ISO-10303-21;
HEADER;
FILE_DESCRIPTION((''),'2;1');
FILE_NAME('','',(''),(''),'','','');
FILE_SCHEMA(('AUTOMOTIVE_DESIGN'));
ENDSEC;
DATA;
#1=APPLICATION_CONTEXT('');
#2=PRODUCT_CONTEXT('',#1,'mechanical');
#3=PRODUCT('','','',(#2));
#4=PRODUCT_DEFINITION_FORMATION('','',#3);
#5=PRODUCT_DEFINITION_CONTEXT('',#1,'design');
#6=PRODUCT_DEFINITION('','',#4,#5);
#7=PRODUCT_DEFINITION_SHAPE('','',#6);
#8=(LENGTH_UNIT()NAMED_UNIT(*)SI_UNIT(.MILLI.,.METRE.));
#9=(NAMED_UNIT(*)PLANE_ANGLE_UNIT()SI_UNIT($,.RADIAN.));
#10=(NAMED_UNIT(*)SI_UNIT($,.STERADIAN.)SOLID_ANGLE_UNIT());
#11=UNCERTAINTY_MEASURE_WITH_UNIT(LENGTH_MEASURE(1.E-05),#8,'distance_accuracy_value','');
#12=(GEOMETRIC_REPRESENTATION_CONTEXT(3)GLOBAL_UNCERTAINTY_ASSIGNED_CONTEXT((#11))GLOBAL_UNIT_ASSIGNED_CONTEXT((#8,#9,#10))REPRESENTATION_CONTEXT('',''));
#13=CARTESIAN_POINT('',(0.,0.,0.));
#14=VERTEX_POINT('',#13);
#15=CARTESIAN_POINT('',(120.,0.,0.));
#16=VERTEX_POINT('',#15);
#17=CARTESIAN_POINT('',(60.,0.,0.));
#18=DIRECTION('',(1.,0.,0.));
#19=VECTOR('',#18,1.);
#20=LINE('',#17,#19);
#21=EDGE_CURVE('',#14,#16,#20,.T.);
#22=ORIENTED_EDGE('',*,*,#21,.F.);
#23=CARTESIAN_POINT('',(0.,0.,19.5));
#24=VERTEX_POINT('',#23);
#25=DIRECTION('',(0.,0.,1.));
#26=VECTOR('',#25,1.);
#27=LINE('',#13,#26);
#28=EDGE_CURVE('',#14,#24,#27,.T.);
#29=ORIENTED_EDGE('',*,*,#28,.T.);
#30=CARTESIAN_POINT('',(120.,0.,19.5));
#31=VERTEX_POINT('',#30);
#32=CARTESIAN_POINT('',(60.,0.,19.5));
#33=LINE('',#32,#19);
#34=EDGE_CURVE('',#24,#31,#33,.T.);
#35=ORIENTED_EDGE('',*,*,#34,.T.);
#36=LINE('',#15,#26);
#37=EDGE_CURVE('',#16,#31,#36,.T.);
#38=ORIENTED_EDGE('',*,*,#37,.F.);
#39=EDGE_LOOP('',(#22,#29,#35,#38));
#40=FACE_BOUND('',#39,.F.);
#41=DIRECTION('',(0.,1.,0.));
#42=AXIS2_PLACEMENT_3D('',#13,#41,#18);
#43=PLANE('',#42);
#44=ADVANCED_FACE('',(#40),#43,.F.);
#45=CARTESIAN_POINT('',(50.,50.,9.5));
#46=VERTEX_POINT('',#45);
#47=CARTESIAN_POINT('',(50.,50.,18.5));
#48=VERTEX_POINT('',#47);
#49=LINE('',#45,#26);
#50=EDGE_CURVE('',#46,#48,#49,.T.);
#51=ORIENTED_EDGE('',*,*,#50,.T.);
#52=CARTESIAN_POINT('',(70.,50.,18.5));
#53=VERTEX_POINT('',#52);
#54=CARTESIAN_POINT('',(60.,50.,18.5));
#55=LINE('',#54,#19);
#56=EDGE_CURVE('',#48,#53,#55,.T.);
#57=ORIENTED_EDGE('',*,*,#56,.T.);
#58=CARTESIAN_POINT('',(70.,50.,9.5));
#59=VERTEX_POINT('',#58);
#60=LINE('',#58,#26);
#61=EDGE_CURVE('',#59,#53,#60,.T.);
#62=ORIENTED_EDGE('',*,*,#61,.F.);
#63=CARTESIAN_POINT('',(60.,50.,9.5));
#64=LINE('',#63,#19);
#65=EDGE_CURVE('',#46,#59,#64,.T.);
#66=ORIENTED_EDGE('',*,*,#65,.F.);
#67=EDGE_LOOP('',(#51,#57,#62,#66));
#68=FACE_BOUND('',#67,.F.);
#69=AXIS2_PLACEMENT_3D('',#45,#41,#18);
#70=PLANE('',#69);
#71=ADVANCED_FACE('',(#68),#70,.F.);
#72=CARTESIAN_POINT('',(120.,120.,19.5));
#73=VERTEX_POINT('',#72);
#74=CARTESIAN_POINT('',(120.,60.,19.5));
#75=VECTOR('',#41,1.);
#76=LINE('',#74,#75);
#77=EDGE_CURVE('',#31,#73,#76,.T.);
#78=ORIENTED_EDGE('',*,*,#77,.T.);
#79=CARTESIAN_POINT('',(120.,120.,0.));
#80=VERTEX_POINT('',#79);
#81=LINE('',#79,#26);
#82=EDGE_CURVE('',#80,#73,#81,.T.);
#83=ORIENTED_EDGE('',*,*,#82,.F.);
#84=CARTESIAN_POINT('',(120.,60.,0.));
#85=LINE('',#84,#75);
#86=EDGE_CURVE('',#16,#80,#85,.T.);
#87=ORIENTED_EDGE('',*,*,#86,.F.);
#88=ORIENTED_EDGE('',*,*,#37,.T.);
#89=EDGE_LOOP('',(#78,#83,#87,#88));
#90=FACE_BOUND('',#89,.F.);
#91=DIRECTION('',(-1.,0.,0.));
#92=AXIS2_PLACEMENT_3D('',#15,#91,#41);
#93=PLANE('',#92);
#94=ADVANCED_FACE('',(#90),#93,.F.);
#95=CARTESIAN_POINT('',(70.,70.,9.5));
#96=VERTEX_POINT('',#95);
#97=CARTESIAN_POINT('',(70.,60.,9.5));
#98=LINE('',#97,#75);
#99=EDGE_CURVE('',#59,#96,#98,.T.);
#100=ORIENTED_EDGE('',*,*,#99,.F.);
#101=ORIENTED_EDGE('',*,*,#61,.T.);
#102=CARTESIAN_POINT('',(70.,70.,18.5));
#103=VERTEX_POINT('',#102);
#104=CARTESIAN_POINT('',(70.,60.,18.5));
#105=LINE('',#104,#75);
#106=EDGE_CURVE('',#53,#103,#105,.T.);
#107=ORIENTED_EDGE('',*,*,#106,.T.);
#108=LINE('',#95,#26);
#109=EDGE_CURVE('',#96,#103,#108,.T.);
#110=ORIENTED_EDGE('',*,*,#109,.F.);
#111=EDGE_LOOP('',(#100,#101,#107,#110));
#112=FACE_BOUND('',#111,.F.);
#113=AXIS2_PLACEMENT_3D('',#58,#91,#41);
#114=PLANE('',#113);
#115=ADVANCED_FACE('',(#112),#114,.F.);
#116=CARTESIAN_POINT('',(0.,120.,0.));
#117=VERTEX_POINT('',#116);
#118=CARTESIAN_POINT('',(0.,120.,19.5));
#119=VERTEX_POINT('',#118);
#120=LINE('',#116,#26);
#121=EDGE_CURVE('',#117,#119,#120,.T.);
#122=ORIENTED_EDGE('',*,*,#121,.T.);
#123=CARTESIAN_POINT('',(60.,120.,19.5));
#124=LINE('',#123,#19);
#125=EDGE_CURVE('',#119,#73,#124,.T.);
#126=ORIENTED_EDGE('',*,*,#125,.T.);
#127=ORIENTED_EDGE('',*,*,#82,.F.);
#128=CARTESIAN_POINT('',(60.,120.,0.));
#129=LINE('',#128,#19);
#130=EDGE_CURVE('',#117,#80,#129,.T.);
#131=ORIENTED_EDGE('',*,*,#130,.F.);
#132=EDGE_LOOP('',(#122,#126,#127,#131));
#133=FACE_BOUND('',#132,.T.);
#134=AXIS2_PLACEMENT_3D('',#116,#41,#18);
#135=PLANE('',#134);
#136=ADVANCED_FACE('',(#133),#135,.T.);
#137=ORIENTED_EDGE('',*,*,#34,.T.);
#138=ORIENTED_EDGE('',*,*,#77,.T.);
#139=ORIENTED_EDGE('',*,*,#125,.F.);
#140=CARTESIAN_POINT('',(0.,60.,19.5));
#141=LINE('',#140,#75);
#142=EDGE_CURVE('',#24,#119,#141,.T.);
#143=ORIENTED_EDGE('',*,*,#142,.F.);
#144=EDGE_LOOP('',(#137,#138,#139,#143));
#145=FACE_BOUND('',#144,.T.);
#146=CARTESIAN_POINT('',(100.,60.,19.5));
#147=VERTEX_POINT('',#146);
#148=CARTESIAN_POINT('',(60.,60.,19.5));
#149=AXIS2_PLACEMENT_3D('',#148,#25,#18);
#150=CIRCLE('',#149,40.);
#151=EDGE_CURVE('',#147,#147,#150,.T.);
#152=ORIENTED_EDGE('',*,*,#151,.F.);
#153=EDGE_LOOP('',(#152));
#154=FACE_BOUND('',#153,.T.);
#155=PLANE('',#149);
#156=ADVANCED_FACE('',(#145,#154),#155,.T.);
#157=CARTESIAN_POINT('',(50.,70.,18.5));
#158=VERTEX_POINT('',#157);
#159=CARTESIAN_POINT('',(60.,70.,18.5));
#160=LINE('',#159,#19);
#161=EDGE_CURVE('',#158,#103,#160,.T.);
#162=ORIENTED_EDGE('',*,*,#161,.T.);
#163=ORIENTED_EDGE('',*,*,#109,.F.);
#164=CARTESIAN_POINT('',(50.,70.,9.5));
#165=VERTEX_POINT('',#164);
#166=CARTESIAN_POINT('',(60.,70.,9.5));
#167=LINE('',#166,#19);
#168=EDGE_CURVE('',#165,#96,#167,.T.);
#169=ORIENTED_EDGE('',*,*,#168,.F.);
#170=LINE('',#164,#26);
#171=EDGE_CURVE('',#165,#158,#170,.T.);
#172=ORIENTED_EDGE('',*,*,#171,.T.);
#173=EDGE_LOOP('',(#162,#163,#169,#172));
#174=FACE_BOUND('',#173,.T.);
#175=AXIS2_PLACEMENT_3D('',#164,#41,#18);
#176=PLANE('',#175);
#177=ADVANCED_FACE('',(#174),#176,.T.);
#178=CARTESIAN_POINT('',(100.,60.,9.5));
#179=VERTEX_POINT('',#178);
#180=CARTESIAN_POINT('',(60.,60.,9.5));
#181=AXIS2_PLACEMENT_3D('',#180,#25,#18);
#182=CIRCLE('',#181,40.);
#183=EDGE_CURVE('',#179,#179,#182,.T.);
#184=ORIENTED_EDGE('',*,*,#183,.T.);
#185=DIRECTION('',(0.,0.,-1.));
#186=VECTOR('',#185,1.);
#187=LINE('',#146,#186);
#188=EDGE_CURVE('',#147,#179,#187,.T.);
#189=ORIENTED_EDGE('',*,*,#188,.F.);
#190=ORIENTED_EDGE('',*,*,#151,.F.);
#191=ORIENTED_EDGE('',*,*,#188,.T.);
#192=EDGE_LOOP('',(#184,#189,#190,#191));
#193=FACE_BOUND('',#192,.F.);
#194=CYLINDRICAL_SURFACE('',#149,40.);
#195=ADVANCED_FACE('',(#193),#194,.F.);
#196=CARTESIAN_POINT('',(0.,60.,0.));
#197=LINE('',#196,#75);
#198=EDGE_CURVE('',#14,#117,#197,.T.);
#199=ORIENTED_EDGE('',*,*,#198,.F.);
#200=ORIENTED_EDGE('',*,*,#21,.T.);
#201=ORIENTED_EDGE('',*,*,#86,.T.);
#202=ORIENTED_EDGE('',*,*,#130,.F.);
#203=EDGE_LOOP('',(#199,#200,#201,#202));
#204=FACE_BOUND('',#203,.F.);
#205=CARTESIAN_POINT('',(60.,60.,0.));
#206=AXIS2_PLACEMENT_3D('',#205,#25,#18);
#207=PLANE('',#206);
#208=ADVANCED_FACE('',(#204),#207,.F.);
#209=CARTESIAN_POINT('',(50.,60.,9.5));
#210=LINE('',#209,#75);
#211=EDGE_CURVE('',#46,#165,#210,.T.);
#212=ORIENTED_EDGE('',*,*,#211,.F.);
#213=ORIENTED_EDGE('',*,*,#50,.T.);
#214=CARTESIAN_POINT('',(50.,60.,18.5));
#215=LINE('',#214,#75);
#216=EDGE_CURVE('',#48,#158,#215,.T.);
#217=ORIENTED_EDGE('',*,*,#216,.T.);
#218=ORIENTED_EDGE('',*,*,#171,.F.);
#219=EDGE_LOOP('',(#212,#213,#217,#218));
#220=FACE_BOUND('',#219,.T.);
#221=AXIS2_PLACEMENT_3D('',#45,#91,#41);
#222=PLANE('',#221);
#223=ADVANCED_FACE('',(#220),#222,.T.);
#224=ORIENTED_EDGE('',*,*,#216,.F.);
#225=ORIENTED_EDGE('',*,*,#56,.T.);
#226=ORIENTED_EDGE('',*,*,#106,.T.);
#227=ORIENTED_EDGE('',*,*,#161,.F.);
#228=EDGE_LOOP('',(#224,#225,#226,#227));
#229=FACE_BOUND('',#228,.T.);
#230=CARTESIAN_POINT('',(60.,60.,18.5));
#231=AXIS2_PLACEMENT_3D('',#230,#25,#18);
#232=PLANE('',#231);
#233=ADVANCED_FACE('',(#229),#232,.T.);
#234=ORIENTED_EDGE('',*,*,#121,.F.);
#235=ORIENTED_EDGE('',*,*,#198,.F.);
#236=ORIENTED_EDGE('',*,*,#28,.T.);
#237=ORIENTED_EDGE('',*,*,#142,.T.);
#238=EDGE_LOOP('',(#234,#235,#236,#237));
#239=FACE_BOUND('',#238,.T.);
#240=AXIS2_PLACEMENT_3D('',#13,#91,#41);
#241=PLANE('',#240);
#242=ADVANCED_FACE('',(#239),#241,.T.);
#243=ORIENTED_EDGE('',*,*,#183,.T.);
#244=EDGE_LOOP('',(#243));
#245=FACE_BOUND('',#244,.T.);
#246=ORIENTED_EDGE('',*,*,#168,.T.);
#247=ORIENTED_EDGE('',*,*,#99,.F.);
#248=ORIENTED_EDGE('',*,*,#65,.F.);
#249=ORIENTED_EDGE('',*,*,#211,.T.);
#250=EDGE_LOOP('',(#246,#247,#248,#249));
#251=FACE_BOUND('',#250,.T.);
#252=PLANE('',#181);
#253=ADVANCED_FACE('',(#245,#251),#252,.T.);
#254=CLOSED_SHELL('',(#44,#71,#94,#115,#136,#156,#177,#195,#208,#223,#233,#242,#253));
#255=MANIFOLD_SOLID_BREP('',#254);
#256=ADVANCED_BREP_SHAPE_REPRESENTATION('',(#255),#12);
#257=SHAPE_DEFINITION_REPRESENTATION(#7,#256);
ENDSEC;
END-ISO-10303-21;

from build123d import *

# Parameters (mm, degrees)
F0_W     = 120
F0_H     = 120
F1_DEPTH = 19.5
F2_R     = 40
F3_DEPTH = 10
F4_W     = 20
F4_H     = 20
F6_DEPTH = 9


with BuildPart() as f1:
    # F0 (on Top) → F1 (new body)
    with BuildSketch(Plane.XY):
        with Locations((60, 60)):
            Rectangle(F0_W, F0_H)
    extrude(amount=F1_DEPTH)

    # F2 (on face) → F3 (cut)
    with BuildSketch(Plane.XY.offset(19.5)):
        with Locations((60, 60)):
            Circle(F2_R)
    extrude(amount=-F3_DEPTH, mode=Mode.SUBTRACT)

    # F4 (on face) → F6 (join)
    with BuildSketch(Plane.XY.offset(9.5)):
        with Locations((60, 60)):
            Rectangle(F4_W, F4_H)
    extrude(amount=F6_DEPTH)


solid = f1.part
